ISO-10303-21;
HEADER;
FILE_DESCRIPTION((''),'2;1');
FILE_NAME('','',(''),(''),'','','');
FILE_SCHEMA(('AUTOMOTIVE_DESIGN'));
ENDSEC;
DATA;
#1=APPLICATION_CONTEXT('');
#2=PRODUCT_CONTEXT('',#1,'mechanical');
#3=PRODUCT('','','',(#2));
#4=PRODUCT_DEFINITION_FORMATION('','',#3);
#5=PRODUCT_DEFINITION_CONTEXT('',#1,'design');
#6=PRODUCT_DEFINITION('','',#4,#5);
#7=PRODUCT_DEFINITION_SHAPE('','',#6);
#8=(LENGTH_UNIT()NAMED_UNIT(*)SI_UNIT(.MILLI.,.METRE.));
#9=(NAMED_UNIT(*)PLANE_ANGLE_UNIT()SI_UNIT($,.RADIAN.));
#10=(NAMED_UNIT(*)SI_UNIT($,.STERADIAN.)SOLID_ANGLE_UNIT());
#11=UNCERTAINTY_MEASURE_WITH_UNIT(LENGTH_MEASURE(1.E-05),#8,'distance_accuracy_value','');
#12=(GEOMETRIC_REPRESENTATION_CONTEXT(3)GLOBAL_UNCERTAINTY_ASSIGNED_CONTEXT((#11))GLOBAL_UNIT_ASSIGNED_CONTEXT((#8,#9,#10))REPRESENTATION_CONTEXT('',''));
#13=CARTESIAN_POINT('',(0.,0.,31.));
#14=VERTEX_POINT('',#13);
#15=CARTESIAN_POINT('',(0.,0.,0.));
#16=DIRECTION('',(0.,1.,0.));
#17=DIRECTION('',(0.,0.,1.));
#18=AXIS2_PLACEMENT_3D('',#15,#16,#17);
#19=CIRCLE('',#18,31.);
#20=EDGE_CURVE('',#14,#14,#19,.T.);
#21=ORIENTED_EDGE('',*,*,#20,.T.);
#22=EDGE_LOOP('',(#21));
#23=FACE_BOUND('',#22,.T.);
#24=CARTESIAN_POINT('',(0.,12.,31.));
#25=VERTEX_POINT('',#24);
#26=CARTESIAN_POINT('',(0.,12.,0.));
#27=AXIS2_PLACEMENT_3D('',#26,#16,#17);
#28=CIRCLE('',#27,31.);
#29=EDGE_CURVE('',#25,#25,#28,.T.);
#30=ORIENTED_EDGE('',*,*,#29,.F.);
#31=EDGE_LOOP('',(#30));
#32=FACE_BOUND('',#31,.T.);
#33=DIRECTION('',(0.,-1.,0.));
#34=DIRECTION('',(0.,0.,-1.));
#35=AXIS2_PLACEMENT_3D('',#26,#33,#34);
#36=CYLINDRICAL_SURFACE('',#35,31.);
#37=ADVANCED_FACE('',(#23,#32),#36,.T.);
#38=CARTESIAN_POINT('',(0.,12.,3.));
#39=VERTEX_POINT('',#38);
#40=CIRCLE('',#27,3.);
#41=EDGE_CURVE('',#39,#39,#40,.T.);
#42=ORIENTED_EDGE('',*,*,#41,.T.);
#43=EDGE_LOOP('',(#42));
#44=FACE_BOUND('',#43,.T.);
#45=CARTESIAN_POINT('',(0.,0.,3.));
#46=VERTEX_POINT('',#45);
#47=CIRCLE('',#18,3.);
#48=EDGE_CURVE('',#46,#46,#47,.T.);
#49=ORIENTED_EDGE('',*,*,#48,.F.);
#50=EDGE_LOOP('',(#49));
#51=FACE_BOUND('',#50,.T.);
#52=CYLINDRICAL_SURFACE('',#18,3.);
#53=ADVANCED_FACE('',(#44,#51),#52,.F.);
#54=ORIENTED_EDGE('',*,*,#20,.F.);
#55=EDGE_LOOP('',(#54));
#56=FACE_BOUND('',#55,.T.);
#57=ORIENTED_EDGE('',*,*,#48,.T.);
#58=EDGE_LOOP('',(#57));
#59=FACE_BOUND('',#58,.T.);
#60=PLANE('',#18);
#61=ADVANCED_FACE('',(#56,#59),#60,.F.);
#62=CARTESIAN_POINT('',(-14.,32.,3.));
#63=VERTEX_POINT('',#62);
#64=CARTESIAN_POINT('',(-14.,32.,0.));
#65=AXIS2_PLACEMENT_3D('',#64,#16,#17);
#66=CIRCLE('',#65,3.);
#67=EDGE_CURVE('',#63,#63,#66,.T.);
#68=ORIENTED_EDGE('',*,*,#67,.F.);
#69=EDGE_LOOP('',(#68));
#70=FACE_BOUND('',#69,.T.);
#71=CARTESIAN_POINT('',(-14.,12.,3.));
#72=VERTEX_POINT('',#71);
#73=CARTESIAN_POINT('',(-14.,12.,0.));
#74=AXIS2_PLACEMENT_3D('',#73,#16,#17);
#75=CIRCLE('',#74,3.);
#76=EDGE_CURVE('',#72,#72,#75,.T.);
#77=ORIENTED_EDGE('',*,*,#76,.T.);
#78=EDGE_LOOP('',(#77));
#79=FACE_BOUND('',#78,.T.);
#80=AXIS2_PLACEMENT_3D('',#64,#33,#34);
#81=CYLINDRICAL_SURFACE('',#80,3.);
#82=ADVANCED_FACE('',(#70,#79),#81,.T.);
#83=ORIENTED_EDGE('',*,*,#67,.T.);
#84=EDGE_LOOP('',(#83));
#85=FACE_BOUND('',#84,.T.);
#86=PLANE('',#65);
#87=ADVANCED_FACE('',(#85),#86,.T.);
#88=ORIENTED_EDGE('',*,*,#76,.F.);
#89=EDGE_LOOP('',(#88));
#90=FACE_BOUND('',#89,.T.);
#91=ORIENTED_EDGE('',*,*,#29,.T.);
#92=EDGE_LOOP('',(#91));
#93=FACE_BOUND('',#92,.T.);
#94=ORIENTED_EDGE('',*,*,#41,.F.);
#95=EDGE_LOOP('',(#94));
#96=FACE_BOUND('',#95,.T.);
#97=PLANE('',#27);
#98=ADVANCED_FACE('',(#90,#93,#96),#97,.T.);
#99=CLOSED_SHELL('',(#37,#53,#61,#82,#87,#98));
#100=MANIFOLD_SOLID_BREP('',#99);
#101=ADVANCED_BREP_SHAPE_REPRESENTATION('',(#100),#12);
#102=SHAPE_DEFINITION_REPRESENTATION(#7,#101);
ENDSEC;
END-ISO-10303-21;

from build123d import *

# Parameters (mm, degrees)
SKETCH1_R           = 31
BOSS_EXTRUDE1_DEPTH = 12
SKETCH2_R           = 3
CUT_EXTRUDE1_DEPTH  = 46.453272709
SKETCH3_R           = 3
BOSS_EXTRUDE2_DEPTH = 20


with BuildPart() as part:
    # Sketch1 → Boss-Extrude1 (new body)
    with BuildSketch(Plane(origin=(0, 0, 0), x_dir=(1, 0, 0), z_dir=(0, 1, 0))):
        with Locations(Location((0, 0, 0), (0, 0, 270))):
            Circle(SKETCH1_R)
    extrude(amount=BOSS_EXTRUDE1_DEPTH)

    # Sketch2 → Cut-Extrude1 (cut, through all)
    with BuildSketch(Plane(origin=(0, 12, 0), x_dir=(1, 0, 0), z_dir=(0, 1, 0))):
        with Locations(Location((0, 0, 0), (0, 0, 270))):
            Circle(SKETCH2_R)
    extrude(amount=-CUT_EXTRUDE1_DEPTH, mode=Mode.SUBTRACT)

    # Sketch3 → Boss-Extrude2 (add)
    with BuildSketch(Plane(origin=(0, 12, 0), x_dir=(1, 0, 0), z_dir=(0, 1, 0))):
        with Locations(Location((-14, 0, 0), (0, 0, 270))):
            Circle(SKETCH3_R)
    extrude(amount=BOSS_EXTRUDE2_DEPTH)


solid = part.part
